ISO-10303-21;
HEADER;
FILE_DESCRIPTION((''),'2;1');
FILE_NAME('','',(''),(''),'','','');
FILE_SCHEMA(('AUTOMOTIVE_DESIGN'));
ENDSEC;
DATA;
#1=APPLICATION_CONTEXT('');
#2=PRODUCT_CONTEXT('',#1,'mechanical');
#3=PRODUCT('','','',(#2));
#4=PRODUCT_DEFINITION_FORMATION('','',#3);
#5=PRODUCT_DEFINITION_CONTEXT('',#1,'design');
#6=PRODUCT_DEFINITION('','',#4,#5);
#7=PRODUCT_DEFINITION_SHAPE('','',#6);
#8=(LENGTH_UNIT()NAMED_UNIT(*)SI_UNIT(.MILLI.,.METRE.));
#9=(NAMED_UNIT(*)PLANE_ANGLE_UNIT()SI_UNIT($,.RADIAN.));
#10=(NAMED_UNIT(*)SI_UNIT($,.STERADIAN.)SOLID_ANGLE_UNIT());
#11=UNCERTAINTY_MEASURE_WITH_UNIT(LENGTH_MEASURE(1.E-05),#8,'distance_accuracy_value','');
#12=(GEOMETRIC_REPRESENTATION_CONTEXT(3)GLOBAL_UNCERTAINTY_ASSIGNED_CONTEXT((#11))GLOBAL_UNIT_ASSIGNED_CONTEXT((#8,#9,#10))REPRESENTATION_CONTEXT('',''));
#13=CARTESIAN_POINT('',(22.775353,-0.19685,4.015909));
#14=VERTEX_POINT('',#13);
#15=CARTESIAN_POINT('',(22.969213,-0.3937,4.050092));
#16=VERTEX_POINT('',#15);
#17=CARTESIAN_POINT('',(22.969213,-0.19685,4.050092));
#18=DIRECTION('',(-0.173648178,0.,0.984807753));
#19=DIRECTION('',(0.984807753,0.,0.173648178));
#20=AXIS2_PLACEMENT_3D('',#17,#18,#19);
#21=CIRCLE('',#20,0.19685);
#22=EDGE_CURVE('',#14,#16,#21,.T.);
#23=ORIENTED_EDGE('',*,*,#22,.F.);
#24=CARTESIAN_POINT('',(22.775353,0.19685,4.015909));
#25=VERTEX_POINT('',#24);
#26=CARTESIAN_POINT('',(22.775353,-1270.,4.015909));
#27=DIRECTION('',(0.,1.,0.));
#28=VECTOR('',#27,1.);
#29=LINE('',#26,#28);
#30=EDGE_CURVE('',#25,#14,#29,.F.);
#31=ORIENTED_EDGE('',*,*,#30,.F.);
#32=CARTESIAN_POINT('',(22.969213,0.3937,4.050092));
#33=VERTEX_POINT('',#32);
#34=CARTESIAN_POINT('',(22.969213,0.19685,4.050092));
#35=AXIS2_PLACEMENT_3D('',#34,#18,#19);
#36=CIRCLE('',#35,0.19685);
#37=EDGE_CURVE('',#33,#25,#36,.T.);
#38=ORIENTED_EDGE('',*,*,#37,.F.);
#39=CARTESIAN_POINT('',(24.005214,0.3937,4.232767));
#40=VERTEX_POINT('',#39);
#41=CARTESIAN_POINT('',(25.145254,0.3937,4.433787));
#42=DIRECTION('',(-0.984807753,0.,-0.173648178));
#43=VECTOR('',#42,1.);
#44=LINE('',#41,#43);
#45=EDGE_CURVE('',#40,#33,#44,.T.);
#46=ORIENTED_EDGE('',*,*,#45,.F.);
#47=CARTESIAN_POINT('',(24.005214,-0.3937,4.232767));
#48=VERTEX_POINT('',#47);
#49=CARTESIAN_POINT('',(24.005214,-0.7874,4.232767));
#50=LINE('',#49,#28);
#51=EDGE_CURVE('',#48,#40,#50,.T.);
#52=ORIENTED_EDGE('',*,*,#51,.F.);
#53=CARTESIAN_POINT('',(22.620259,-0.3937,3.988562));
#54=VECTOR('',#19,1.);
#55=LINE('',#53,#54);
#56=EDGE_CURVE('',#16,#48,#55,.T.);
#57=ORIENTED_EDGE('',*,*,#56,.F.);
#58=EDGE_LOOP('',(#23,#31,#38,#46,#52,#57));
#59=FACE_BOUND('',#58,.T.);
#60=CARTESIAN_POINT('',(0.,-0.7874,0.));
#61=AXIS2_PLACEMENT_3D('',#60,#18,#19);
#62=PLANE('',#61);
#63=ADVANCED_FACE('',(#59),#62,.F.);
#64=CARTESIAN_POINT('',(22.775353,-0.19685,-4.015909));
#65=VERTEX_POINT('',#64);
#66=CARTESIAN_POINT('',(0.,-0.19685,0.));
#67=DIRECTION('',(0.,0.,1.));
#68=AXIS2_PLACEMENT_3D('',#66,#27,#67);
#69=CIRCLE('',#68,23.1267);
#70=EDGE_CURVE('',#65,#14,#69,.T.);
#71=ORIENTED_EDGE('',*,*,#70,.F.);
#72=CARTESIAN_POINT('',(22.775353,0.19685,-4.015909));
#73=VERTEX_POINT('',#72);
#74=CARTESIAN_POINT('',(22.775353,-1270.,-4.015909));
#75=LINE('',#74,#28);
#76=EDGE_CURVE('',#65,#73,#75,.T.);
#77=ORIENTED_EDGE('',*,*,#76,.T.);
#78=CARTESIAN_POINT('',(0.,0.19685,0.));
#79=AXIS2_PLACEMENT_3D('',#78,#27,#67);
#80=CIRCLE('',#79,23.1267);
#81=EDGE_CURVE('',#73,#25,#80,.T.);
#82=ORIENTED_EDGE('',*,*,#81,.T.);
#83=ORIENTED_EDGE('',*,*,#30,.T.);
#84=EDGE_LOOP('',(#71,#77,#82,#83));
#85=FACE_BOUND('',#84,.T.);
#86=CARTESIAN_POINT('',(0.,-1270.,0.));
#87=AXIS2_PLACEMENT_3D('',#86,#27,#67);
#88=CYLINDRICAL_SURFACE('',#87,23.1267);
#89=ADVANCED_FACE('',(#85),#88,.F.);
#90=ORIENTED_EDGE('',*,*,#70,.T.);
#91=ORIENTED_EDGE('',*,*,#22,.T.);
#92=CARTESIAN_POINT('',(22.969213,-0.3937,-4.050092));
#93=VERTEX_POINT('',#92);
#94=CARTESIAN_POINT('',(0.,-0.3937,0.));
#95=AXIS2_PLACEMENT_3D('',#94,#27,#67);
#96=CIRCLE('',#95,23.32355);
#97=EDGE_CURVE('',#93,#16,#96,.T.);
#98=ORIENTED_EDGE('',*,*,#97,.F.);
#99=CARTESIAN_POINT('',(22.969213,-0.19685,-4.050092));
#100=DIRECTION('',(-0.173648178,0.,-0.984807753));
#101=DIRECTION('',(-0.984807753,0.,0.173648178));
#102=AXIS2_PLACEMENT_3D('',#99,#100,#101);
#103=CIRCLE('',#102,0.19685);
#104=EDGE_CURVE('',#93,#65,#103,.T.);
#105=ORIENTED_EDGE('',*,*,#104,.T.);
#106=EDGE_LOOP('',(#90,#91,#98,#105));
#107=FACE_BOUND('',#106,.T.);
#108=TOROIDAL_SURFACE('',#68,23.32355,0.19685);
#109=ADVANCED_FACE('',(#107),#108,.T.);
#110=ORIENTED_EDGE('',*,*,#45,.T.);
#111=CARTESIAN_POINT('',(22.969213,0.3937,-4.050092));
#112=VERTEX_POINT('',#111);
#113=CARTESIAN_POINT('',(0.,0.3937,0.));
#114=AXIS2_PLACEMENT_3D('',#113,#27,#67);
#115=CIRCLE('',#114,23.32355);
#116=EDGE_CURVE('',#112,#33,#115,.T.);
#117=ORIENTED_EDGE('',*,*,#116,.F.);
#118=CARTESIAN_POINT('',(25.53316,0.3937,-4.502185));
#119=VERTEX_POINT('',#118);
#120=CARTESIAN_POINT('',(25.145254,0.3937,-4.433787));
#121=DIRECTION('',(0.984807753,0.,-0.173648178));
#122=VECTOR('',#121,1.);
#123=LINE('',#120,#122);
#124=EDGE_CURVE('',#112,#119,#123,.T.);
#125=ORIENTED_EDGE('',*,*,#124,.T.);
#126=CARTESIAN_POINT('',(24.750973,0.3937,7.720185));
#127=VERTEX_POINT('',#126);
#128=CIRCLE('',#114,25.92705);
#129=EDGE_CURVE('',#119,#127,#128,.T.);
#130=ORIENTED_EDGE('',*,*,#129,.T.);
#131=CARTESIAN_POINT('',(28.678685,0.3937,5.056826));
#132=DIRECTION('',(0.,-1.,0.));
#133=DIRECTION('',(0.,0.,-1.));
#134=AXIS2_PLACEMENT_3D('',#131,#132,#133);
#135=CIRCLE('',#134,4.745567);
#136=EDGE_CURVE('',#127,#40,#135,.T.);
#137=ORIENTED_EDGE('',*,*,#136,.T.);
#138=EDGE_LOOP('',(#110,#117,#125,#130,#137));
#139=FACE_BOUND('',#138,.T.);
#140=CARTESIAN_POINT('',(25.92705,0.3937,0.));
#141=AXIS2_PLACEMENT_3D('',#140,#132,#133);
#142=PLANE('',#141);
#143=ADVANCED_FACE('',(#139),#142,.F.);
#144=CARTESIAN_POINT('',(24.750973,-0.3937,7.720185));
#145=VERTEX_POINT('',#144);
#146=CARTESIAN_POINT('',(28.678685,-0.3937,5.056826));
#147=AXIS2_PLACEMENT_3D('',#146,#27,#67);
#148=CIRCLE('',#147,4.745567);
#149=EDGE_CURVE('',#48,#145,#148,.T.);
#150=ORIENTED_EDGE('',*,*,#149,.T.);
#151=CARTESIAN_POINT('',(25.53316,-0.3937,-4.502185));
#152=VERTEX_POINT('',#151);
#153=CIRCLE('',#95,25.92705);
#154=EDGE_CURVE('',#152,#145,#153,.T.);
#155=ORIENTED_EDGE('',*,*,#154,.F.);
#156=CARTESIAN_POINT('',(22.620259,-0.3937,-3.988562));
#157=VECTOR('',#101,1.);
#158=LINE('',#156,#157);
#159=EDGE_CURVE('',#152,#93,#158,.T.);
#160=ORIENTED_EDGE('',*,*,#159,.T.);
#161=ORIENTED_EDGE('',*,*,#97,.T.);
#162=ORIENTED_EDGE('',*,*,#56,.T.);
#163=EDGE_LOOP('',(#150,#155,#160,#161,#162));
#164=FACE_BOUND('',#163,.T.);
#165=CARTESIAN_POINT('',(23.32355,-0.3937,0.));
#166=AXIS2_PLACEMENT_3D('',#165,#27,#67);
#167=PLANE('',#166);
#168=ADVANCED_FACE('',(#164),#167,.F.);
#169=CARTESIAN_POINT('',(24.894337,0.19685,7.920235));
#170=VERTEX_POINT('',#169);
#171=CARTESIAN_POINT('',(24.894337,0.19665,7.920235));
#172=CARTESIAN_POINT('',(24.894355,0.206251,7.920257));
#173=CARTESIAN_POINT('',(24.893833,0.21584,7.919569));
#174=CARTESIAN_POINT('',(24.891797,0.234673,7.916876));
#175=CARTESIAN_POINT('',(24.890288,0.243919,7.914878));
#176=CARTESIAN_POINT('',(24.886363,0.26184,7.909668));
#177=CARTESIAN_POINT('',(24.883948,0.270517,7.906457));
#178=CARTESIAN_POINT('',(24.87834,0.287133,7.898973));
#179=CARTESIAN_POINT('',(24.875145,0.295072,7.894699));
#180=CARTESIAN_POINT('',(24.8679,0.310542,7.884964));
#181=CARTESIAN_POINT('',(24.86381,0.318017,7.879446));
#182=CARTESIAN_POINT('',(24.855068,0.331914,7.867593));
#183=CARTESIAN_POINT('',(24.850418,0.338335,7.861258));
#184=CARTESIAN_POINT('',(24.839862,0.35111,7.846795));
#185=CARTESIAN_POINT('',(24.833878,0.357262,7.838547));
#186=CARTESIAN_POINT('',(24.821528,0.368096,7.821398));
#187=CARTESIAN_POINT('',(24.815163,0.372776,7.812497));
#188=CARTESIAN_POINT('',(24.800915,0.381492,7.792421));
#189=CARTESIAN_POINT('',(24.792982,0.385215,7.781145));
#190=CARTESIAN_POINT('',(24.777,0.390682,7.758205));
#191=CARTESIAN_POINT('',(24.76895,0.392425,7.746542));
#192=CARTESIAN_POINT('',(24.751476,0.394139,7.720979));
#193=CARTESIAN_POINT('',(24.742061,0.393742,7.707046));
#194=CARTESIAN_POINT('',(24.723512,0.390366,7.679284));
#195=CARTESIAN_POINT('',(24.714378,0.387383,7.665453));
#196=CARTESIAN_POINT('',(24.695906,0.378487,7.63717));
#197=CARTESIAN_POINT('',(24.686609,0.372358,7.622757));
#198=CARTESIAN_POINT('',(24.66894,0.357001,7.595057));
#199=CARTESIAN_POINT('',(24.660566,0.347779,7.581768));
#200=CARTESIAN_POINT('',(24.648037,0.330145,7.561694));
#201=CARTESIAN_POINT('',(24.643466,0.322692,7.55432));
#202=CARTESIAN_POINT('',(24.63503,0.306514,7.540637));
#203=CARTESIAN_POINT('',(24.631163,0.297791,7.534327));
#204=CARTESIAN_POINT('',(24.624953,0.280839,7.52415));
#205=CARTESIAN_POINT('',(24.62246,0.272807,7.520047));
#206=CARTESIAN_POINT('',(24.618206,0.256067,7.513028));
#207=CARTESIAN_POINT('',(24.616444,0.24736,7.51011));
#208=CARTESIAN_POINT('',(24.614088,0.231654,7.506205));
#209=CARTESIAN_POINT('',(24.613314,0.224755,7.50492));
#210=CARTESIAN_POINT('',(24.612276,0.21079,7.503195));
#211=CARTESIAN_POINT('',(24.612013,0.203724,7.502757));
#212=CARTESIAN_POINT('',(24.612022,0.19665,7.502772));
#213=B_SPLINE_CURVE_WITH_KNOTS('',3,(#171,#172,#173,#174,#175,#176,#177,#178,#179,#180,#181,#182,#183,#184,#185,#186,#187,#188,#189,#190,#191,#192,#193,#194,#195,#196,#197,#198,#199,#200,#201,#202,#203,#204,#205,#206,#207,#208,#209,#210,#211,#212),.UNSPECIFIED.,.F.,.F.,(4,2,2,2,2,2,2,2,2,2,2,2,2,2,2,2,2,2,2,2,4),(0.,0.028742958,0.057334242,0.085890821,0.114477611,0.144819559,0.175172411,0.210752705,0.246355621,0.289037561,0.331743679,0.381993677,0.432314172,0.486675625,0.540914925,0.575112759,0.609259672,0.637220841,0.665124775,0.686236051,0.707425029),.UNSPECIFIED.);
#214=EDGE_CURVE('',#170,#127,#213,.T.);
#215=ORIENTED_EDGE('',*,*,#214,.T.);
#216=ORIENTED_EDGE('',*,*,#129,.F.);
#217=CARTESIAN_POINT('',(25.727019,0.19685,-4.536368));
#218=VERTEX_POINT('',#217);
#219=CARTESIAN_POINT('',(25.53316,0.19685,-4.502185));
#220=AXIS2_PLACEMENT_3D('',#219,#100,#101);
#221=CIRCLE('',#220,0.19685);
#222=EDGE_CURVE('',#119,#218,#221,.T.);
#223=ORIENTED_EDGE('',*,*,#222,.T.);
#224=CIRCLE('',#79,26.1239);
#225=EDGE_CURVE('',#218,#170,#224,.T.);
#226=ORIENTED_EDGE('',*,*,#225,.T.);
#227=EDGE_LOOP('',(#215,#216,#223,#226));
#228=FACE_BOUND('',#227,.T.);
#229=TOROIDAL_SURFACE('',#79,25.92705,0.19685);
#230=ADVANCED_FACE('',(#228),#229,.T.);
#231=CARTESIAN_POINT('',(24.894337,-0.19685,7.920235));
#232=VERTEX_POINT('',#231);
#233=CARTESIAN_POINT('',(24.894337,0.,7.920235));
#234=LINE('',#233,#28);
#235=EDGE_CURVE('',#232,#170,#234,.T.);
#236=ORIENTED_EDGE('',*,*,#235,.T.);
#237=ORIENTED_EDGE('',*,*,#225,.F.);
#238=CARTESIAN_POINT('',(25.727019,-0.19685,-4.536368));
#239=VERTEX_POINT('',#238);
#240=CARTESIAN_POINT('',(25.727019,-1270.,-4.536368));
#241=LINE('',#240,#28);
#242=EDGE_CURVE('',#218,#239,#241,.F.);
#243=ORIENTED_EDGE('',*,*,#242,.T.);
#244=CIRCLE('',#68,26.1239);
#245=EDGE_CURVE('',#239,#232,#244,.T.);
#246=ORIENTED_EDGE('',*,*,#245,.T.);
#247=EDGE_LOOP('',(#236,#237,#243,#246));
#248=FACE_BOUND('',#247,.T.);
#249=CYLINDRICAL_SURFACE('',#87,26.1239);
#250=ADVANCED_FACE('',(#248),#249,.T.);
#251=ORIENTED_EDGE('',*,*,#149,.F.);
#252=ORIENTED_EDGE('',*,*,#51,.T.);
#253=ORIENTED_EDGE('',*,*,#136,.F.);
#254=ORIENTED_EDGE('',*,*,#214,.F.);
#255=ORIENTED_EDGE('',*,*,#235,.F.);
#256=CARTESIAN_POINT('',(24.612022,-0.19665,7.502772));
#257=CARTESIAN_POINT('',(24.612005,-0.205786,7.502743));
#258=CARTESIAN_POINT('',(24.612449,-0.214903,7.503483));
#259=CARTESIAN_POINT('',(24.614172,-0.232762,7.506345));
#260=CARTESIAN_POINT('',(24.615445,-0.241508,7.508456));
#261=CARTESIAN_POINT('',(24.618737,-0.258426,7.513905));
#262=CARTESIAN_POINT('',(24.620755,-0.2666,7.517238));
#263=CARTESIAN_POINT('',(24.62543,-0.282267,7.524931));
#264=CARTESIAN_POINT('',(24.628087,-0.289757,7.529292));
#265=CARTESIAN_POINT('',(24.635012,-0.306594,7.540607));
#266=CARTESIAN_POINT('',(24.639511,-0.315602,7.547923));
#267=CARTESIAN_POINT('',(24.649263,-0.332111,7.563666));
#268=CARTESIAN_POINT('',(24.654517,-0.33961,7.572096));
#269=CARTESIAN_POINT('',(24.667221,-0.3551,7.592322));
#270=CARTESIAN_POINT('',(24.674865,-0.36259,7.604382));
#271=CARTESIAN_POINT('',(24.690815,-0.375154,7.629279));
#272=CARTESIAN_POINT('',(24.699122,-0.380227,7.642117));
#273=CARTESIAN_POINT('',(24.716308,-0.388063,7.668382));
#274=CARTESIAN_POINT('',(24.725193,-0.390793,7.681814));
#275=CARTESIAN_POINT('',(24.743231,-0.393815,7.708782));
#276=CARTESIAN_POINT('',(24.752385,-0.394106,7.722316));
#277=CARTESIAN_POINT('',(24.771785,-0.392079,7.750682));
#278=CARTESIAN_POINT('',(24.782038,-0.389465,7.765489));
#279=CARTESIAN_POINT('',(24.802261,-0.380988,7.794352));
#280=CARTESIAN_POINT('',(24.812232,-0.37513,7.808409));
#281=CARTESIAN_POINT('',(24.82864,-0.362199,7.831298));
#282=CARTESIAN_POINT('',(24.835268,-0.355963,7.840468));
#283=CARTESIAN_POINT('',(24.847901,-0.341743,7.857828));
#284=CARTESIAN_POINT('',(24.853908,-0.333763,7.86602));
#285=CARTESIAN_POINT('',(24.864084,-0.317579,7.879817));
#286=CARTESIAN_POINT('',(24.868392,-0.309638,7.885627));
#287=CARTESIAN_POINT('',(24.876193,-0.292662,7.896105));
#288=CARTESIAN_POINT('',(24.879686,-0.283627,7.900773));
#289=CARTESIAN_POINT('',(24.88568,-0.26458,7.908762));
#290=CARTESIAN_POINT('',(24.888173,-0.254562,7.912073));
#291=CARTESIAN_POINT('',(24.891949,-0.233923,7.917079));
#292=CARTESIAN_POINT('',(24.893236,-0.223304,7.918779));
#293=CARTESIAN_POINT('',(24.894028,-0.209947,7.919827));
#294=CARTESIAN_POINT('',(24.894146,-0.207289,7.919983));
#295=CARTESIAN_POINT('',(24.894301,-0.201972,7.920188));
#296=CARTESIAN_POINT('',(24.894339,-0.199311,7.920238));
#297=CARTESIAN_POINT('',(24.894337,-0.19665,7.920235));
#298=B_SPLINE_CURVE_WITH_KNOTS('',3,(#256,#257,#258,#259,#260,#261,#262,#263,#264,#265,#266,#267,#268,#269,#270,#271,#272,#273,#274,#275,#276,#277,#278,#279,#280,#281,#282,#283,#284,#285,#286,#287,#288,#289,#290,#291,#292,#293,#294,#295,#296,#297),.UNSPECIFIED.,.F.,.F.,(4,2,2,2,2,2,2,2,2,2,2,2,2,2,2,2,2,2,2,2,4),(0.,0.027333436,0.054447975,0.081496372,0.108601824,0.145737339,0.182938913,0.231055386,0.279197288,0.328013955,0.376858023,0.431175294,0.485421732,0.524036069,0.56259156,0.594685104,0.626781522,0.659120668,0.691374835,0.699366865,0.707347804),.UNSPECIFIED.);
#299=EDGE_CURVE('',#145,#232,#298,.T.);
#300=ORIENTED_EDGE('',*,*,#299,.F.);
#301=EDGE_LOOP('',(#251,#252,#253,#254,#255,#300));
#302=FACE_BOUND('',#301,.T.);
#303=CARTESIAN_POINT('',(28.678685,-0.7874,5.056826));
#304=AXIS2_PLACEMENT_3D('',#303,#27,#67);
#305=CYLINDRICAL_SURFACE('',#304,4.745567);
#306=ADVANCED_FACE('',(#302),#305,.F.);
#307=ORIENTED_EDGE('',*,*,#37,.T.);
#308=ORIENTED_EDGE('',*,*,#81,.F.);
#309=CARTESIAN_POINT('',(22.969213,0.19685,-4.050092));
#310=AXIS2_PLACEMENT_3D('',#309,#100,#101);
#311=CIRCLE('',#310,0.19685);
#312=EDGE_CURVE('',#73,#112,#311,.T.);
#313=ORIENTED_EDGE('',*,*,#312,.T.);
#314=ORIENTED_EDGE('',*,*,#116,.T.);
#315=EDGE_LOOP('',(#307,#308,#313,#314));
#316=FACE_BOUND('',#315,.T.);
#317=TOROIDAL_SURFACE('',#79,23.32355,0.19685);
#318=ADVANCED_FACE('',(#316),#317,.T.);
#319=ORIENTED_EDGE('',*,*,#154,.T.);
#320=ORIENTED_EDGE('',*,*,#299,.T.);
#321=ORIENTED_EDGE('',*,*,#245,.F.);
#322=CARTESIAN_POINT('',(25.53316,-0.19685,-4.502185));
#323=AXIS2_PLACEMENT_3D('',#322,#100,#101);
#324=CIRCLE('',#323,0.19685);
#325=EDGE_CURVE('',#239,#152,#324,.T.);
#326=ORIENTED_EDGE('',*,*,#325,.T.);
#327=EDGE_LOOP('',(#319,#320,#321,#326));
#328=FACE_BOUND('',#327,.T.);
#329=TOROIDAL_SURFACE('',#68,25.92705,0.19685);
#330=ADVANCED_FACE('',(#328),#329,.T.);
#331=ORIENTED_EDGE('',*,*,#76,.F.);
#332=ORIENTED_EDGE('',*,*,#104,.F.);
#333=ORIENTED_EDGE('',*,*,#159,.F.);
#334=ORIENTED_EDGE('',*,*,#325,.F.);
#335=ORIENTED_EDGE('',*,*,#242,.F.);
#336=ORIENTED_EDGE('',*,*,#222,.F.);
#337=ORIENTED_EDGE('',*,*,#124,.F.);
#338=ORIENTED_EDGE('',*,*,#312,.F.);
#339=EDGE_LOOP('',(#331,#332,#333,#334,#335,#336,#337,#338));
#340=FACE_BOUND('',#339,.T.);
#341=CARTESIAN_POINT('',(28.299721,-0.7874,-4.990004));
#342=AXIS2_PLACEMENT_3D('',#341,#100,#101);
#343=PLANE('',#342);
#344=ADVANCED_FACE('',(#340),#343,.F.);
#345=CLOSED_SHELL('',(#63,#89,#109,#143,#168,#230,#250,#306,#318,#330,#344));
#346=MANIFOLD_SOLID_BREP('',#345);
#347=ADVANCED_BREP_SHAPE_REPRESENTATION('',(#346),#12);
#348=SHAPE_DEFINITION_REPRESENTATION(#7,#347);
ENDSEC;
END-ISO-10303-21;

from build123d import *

# Parameters (mm, degrees)
CUT_EXTRUDE1_DEPTH      = 0.7874
CUT_EXTRUDE1_DEPTH_BACK = 0.7874


with BuildPart() as part:
    # Sketch1 → Revolve1 (revolve)
    with BuildSketch(Plane.XY):
        with BuildLine():
            Line((23.1267, 0.19685), (23.1267, -0.19685))
            ThreePointArc((23.1267, -0.19685), (23.18435603, -0.33604397), (23.32355, -0.3937))
            Line((23.32355, -0.3937), (25.92705, -0.3937))
            ThreePointArc((25.92705, -0.3937), (26.06624397, -0.33604397), (26.1239, -0.19685))
            Line((26.1239, -0.19685), (26.1239, 0.19685))
            ThreePointArc((26.1239, 0.19685), (26.06624397, 0.33604397), (25.92705, 0.3937))
            Line((25.92705, 0.3937), (23.32355, 0.3937))
            ThreePointArc((23.32355, 0.3937), (23.18435603, 0.33604397), (23.1267, 0.19685))
        make_face()
    revolve(axis=Axis((0, -1270, 0), (0, 1, 0)))

    # Sketch2 → Cut-Extrude1 (cut, two sides: drawn at the far end of the back side and taken through both)
    with BuildSketch(Plane(origin=(0, 0, 0), x_dir=(1, 0, 0), z_dir=(0, 1, 0)).offset(-CUT_EXTRUDE1_DEPTH_BACK)):
        with BuildLine():
            Line((0, 0), (24.00521421, -4.232766943))
            ThreePointArc((24.00521421, -4.232766943), (24.582954237, -7.45378069), (27.108261822, -9.535014627))
            ThreePointArc((27.108261822, -9.535014627), (28.640097584, -2.349292098), (28.299721185, 4.990004391))
            Line((28.299721185, 4.990004391), (0, 0))
        make_face()
    extrude(amount=CUT_EXTRUDE1_DEPTH + CUT_EXTRUDE1_DEPTH_BACK, mode=Mode.SUBTRACT)


solid = part.part
